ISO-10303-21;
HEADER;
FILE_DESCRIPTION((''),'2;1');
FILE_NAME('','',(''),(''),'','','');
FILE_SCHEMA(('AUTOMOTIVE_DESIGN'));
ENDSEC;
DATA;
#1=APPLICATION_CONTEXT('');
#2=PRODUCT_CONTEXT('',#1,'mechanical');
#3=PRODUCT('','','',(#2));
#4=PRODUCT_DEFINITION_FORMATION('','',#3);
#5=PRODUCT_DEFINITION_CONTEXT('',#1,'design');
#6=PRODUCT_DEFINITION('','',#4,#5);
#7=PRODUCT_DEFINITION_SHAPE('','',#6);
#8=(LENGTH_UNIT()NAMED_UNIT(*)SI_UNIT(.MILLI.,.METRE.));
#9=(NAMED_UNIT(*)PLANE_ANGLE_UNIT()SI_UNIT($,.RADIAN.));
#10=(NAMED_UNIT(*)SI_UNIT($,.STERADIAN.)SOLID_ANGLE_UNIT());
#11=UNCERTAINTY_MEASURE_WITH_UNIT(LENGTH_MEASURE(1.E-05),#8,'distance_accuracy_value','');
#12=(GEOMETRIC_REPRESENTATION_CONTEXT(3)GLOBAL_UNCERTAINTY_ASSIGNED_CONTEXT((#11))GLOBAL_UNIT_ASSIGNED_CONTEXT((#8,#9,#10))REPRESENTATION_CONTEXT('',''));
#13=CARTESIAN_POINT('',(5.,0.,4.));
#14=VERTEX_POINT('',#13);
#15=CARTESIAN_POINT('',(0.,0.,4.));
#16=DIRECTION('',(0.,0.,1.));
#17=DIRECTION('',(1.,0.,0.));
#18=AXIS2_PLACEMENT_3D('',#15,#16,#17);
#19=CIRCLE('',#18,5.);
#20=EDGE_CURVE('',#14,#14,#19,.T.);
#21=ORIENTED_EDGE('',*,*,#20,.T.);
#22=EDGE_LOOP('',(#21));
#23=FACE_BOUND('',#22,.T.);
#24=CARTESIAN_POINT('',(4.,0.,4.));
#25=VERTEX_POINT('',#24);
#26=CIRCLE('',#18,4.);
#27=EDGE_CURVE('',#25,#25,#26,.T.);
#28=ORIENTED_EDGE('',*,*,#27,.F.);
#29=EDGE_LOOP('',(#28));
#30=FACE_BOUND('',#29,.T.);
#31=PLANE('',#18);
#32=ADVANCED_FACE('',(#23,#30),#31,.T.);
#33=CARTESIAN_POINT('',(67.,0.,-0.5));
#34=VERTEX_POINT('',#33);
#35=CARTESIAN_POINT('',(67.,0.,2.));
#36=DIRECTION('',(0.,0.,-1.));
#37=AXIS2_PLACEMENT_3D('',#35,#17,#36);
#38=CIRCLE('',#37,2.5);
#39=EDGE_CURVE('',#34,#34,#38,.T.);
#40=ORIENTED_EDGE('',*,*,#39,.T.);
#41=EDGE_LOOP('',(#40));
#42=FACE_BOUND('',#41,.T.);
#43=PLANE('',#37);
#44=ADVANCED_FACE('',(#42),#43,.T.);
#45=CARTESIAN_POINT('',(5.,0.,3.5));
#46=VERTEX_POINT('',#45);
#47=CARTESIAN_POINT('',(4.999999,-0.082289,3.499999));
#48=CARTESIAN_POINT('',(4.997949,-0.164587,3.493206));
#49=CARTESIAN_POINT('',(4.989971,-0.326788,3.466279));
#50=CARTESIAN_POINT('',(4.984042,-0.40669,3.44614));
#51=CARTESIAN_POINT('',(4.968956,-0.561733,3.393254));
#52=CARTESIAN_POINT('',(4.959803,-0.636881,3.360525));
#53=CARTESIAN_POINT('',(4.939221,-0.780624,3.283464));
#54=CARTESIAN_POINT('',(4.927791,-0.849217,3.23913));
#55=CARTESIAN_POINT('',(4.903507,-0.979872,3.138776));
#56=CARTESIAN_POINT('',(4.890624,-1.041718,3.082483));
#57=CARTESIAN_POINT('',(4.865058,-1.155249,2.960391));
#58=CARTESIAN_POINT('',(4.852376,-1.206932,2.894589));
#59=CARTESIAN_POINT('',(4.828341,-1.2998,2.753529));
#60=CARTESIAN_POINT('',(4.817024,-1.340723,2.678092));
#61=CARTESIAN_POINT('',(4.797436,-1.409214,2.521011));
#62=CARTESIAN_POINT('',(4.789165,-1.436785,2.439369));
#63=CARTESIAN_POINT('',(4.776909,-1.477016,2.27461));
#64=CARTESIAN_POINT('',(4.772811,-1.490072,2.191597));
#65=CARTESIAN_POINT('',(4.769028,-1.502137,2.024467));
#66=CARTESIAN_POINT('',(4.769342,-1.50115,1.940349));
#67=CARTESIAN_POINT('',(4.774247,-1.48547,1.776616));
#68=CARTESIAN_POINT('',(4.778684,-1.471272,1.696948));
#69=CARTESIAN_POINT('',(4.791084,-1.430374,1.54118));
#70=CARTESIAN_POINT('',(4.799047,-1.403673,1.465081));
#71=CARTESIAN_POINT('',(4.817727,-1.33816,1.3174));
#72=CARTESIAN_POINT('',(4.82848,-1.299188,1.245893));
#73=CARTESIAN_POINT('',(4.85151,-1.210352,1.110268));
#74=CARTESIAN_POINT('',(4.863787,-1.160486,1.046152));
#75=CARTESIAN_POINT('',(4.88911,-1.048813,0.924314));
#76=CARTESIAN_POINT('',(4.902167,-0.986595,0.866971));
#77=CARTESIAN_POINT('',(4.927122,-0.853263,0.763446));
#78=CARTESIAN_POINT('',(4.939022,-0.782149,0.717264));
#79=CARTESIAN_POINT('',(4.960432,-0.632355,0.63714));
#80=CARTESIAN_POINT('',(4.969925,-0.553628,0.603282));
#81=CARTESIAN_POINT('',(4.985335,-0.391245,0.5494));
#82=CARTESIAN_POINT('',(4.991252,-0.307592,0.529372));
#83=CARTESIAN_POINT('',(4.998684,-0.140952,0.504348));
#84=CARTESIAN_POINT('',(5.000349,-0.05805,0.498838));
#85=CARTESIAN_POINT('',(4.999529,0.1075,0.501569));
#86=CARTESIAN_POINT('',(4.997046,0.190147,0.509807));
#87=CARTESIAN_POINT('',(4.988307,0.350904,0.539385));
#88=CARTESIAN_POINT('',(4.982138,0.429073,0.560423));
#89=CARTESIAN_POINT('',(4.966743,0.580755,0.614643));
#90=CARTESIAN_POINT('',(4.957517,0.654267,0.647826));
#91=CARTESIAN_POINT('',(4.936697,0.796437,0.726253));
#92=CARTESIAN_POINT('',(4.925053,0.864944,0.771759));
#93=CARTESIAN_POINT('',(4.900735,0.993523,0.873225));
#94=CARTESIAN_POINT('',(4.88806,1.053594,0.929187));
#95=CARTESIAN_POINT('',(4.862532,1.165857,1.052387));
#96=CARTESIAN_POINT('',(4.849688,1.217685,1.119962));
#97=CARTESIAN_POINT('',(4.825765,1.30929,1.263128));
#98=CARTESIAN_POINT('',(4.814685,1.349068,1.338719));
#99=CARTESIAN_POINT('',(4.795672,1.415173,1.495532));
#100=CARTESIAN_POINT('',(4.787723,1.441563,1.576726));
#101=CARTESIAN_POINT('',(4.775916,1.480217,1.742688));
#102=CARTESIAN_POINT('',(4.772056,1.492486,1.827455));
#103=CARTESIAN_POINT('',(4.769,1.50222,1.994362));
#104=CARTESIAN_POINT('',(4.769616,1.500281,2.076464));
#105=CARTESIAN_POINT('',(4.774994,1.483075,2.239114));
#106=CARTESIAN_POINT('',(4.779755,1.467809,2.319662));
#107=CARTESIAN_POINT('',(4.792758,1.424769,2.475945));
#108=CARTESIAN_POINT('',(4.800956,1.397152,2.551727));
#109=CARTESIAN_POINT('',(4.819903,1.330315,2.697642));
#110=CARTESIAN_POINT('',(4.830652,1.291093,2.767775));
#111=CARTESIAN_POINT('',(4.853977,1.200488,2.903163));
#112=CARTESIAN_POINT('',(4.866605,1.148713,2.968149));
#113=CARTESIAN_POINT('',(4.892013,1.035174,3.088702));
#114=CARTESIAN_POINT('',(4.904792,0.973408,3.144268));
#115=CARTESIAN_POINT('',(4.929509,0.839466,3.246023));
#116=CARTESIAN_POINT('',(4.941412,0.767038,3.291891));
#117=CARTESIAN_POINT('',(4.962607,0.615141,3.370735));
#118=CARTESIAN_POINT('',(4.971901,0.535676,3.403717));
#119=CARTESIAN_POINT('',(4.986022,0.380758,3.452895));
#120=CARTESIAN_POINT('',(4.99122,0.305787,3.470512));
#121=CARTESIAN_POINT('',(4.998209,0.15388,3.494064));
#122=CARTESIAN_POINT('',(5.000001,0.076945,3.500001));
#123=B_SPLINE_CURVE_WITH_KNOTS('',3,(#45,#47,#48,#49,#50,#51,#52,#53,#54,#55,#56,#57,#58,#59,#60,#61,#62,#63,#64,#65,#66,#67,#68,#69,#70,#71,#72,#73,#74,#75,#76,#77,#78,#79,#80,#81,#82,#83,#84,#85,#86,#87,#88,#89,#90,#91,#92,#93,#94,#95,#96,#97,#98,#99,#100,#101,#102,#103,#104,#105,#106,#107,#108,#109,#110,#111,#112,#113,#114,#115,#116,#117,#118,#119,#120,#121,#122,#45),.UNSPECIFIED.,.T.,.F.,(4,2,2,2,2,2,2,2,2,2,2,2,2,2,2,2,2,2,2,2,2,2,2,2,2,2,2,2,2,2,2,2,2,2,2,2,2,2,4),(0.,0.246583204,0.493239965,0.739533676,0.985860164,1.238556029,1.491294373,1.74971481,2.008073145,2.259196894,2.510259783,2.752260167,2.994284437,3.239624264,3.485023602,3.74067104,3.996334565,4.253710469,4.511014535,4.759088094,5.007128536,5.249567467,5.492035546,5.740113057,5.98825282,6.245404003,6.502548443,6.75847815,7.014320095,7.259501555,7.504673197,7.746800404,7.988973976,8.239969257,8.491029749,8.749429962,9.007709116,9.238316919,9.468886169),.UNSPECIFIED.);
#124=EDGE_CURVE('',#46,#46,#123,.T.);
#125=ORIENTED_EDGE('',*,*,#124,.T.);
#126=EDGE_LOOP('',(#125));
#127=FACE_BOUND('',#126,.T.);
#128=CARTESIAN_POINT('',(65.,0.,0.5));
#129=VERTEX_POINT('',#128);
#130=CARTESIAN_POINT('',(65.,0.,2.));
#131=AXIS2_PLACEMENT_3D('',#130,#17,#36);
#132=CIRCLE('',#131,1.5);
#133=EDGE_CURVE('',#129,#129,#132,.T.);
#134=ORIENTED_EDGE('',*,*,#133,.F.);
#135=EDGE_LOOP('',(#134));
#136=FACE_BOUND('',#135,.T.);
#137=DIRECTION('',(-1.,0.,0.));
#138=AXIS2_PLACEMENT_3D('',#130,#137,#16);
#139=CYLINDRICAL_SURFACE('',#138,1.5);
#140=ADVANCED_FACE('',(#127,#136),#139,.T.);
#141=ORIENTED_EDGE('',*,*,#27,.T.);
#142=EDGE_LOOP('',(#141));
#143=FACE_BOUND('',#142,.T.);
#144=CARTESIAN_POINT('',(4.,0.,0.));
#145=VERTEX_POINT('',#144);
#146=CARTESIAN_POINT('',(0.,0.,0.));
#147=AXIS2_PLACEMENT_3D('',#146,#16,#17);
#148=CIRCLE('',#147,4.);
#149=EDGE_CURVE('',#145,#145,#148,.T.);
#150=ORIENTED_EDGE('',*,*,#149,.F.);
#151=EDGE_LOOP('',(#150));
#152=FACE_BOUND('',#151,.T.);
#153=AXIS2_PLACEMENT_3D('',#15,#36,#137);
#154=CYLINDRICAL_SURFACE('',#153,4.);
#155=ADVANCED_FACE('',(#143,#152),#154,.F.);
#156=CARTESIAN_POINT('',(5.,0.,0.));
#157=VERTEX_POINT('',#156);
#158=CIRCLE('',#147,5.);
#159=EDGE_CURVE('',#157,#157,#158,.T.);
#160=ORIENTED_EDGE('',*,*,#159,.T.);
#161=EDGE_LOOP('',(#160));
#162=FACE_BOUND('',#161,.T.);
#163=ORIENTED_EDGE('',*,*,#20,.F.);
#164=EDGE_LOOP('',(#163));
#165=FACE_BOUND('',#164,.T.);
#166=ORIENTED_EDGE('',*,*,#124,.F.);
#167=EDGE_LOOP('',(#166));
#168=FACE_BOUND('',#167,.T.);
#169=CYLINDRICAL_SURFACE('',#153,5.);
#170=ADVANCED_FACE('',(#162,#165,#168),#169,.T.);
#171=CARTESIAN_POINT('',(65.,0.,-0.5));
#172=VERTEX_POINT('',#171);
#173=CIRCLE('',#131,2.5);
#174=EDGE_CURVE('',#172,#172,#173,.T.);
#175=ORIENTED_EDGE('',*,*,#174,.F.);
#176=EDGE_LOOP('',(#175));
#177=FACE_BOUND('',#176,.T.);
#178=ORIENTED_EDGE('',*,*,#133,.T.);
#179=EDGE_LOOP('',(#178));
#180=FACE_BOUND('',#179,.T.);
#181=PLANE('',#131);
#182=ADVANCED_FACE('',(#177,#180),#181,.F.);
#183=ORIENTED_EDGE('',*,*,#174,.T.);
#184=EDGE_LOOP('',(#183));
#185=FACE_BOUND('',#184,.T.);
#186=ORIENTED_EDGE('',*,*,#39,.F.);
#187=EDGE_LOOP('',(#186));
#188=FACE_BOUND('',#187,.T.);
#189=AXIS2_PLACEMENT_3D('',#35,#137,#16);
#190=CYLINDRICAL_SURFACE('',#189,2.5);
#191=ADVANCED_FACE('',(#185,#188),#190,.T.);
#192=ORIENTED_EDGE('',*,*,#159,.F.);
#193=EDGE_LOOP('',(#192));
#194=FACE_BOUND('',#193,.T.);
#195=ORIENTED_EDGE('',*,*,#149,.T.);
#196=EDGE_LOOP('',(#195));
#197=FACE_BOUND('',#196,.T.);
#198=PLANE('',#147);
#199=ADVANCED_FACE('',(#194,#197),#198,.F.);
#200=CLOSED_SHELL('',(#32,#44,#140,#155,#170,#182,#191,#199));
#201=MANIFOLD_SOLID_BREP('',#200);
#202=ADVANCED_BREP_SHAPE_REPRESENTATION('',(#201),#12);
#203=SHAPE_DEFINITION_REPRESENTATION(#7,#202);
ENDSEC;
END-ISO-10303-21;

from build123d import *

# Parameters (mm, degrees)
IZIM1_R                                      = 5
IZIM1_R_2                                    = 4
Y_KSEKLIK_EKSTR_ZYON1_DEPTH                  = 4
IZIM2_R                                      = 1.5
Y_KSEKLIK_EKSTR_ZYON2_DEPTH                  = 60
Y_KSEKLIK_EKSTR_ZYON2_DIRECTION_2_REACH      = 13.874
Y_KSEKLIK_EKSTR_ZYON2_DIRECTION_2_END_RADIUS = 5
IZIM3_R                                      = 2.5
Y_KSEKLIK_EKSTR_ZYON3_DEPTH                  = 2


with BuildPart() as part:
    # Çizim1 → Yükseklik-Ekstrüzyon1 (new body)
    with BuildSketch(Plane.XY):
        Circle(IZIM1_R)
        Circle(IZIM1_R_2, mode=Mode.SUBTRACT)
    extrude(amount=Y_KSEKLIK_EKSTR_ZYON1_DEPTH)


with BuildPart() as y_kseklik_ekstr_zyon2_tool:
    # Çizim2 → Yükseklik-Ekstrüzyon2 (new body)
    with BuildSketch(Plane(origin=(5, 0, 0), x_dir=(0, 0, -1), z_dir=(1, 0, 0))):
        with Locations((-2, 0)):
            Circle(IZIM2_R)
    extrude(amount=Y_KSEKLIK_EKSTR_ZYON2_DEPTH)


with BuildPart() as part_1:
    add(part.part)


with BuildPart() as part_2:
    # Yükseklik-Ekstrüzyon2: joined with y_kseklik_ekstr_zyon2_tool
    add(part_1.part.fuse(y_kseklik_ekstr_zyon2_tool.part, tol=0.00001))

    # Yükseklik-Ekstrüzyon2 direction 2: up to this cylinder (the profile starts outside it)
    y_kseklik_ekstr_zyon2_direction_2_end = Plane(origin=(0, 0, 2), z_dir=(0, 0, -1)) * Cylinder(Y_KSEKLIK_EKSTR_ZYON2_DIRECTION_2_END_RADIUS, 38.748, mode=Mode.PRIVATE)
    # Çizim2 → Yükseklik-Ekstrüzyon2 direction 2 (add, up to the surface)
    with BuildSketch(Plane(origin=(5, 0, 0), x_dir=(0, 0, -1), z_dir=(1, 0, 0)), mode=Mode.PRIVATE) as y_kseklik_ekstr_zyon2_direction_2_sk1:
        with Locations((-2, 0)):
            Circle(IZIM2_R)
    y_kseklik_ekstr_zyon2_direction_2_tool1 = extrude(y_kseklik_ekstr_zyon2_direction_2_sk1.sketch, amount=-Y_KSEKLIK_EKSTR_ZYON2_DIRECTION_2_REACH, mode=Mode.PRIVATE) - y_kseklik_ekstr_zyon2_direction_2_end
    add(y_kseklik_ekstr_zyon2_direction_2_tool1.solids().sort_by_distance((5, 0, 2))[0])
    add(y_kseklik_ekstr_zyon2_direction_2_tool1.solids().sort_by_distance((5, 0, 2))[1])

    # Çizim3 → Yükseklik-Ekstrüzyon3 (add)
    with BuildSketch(Plane(origin=(65, 0, 0), x_dir=(0, 0, -1), z_dir=(1, 0, 0))):
        with Locations((-2, 0)):
            Circle(IZIM3_R)
    extrude(amount=Y_KSEKLIK_EKSTR_ZYON3_DEPTH)


solid = part_2.part
